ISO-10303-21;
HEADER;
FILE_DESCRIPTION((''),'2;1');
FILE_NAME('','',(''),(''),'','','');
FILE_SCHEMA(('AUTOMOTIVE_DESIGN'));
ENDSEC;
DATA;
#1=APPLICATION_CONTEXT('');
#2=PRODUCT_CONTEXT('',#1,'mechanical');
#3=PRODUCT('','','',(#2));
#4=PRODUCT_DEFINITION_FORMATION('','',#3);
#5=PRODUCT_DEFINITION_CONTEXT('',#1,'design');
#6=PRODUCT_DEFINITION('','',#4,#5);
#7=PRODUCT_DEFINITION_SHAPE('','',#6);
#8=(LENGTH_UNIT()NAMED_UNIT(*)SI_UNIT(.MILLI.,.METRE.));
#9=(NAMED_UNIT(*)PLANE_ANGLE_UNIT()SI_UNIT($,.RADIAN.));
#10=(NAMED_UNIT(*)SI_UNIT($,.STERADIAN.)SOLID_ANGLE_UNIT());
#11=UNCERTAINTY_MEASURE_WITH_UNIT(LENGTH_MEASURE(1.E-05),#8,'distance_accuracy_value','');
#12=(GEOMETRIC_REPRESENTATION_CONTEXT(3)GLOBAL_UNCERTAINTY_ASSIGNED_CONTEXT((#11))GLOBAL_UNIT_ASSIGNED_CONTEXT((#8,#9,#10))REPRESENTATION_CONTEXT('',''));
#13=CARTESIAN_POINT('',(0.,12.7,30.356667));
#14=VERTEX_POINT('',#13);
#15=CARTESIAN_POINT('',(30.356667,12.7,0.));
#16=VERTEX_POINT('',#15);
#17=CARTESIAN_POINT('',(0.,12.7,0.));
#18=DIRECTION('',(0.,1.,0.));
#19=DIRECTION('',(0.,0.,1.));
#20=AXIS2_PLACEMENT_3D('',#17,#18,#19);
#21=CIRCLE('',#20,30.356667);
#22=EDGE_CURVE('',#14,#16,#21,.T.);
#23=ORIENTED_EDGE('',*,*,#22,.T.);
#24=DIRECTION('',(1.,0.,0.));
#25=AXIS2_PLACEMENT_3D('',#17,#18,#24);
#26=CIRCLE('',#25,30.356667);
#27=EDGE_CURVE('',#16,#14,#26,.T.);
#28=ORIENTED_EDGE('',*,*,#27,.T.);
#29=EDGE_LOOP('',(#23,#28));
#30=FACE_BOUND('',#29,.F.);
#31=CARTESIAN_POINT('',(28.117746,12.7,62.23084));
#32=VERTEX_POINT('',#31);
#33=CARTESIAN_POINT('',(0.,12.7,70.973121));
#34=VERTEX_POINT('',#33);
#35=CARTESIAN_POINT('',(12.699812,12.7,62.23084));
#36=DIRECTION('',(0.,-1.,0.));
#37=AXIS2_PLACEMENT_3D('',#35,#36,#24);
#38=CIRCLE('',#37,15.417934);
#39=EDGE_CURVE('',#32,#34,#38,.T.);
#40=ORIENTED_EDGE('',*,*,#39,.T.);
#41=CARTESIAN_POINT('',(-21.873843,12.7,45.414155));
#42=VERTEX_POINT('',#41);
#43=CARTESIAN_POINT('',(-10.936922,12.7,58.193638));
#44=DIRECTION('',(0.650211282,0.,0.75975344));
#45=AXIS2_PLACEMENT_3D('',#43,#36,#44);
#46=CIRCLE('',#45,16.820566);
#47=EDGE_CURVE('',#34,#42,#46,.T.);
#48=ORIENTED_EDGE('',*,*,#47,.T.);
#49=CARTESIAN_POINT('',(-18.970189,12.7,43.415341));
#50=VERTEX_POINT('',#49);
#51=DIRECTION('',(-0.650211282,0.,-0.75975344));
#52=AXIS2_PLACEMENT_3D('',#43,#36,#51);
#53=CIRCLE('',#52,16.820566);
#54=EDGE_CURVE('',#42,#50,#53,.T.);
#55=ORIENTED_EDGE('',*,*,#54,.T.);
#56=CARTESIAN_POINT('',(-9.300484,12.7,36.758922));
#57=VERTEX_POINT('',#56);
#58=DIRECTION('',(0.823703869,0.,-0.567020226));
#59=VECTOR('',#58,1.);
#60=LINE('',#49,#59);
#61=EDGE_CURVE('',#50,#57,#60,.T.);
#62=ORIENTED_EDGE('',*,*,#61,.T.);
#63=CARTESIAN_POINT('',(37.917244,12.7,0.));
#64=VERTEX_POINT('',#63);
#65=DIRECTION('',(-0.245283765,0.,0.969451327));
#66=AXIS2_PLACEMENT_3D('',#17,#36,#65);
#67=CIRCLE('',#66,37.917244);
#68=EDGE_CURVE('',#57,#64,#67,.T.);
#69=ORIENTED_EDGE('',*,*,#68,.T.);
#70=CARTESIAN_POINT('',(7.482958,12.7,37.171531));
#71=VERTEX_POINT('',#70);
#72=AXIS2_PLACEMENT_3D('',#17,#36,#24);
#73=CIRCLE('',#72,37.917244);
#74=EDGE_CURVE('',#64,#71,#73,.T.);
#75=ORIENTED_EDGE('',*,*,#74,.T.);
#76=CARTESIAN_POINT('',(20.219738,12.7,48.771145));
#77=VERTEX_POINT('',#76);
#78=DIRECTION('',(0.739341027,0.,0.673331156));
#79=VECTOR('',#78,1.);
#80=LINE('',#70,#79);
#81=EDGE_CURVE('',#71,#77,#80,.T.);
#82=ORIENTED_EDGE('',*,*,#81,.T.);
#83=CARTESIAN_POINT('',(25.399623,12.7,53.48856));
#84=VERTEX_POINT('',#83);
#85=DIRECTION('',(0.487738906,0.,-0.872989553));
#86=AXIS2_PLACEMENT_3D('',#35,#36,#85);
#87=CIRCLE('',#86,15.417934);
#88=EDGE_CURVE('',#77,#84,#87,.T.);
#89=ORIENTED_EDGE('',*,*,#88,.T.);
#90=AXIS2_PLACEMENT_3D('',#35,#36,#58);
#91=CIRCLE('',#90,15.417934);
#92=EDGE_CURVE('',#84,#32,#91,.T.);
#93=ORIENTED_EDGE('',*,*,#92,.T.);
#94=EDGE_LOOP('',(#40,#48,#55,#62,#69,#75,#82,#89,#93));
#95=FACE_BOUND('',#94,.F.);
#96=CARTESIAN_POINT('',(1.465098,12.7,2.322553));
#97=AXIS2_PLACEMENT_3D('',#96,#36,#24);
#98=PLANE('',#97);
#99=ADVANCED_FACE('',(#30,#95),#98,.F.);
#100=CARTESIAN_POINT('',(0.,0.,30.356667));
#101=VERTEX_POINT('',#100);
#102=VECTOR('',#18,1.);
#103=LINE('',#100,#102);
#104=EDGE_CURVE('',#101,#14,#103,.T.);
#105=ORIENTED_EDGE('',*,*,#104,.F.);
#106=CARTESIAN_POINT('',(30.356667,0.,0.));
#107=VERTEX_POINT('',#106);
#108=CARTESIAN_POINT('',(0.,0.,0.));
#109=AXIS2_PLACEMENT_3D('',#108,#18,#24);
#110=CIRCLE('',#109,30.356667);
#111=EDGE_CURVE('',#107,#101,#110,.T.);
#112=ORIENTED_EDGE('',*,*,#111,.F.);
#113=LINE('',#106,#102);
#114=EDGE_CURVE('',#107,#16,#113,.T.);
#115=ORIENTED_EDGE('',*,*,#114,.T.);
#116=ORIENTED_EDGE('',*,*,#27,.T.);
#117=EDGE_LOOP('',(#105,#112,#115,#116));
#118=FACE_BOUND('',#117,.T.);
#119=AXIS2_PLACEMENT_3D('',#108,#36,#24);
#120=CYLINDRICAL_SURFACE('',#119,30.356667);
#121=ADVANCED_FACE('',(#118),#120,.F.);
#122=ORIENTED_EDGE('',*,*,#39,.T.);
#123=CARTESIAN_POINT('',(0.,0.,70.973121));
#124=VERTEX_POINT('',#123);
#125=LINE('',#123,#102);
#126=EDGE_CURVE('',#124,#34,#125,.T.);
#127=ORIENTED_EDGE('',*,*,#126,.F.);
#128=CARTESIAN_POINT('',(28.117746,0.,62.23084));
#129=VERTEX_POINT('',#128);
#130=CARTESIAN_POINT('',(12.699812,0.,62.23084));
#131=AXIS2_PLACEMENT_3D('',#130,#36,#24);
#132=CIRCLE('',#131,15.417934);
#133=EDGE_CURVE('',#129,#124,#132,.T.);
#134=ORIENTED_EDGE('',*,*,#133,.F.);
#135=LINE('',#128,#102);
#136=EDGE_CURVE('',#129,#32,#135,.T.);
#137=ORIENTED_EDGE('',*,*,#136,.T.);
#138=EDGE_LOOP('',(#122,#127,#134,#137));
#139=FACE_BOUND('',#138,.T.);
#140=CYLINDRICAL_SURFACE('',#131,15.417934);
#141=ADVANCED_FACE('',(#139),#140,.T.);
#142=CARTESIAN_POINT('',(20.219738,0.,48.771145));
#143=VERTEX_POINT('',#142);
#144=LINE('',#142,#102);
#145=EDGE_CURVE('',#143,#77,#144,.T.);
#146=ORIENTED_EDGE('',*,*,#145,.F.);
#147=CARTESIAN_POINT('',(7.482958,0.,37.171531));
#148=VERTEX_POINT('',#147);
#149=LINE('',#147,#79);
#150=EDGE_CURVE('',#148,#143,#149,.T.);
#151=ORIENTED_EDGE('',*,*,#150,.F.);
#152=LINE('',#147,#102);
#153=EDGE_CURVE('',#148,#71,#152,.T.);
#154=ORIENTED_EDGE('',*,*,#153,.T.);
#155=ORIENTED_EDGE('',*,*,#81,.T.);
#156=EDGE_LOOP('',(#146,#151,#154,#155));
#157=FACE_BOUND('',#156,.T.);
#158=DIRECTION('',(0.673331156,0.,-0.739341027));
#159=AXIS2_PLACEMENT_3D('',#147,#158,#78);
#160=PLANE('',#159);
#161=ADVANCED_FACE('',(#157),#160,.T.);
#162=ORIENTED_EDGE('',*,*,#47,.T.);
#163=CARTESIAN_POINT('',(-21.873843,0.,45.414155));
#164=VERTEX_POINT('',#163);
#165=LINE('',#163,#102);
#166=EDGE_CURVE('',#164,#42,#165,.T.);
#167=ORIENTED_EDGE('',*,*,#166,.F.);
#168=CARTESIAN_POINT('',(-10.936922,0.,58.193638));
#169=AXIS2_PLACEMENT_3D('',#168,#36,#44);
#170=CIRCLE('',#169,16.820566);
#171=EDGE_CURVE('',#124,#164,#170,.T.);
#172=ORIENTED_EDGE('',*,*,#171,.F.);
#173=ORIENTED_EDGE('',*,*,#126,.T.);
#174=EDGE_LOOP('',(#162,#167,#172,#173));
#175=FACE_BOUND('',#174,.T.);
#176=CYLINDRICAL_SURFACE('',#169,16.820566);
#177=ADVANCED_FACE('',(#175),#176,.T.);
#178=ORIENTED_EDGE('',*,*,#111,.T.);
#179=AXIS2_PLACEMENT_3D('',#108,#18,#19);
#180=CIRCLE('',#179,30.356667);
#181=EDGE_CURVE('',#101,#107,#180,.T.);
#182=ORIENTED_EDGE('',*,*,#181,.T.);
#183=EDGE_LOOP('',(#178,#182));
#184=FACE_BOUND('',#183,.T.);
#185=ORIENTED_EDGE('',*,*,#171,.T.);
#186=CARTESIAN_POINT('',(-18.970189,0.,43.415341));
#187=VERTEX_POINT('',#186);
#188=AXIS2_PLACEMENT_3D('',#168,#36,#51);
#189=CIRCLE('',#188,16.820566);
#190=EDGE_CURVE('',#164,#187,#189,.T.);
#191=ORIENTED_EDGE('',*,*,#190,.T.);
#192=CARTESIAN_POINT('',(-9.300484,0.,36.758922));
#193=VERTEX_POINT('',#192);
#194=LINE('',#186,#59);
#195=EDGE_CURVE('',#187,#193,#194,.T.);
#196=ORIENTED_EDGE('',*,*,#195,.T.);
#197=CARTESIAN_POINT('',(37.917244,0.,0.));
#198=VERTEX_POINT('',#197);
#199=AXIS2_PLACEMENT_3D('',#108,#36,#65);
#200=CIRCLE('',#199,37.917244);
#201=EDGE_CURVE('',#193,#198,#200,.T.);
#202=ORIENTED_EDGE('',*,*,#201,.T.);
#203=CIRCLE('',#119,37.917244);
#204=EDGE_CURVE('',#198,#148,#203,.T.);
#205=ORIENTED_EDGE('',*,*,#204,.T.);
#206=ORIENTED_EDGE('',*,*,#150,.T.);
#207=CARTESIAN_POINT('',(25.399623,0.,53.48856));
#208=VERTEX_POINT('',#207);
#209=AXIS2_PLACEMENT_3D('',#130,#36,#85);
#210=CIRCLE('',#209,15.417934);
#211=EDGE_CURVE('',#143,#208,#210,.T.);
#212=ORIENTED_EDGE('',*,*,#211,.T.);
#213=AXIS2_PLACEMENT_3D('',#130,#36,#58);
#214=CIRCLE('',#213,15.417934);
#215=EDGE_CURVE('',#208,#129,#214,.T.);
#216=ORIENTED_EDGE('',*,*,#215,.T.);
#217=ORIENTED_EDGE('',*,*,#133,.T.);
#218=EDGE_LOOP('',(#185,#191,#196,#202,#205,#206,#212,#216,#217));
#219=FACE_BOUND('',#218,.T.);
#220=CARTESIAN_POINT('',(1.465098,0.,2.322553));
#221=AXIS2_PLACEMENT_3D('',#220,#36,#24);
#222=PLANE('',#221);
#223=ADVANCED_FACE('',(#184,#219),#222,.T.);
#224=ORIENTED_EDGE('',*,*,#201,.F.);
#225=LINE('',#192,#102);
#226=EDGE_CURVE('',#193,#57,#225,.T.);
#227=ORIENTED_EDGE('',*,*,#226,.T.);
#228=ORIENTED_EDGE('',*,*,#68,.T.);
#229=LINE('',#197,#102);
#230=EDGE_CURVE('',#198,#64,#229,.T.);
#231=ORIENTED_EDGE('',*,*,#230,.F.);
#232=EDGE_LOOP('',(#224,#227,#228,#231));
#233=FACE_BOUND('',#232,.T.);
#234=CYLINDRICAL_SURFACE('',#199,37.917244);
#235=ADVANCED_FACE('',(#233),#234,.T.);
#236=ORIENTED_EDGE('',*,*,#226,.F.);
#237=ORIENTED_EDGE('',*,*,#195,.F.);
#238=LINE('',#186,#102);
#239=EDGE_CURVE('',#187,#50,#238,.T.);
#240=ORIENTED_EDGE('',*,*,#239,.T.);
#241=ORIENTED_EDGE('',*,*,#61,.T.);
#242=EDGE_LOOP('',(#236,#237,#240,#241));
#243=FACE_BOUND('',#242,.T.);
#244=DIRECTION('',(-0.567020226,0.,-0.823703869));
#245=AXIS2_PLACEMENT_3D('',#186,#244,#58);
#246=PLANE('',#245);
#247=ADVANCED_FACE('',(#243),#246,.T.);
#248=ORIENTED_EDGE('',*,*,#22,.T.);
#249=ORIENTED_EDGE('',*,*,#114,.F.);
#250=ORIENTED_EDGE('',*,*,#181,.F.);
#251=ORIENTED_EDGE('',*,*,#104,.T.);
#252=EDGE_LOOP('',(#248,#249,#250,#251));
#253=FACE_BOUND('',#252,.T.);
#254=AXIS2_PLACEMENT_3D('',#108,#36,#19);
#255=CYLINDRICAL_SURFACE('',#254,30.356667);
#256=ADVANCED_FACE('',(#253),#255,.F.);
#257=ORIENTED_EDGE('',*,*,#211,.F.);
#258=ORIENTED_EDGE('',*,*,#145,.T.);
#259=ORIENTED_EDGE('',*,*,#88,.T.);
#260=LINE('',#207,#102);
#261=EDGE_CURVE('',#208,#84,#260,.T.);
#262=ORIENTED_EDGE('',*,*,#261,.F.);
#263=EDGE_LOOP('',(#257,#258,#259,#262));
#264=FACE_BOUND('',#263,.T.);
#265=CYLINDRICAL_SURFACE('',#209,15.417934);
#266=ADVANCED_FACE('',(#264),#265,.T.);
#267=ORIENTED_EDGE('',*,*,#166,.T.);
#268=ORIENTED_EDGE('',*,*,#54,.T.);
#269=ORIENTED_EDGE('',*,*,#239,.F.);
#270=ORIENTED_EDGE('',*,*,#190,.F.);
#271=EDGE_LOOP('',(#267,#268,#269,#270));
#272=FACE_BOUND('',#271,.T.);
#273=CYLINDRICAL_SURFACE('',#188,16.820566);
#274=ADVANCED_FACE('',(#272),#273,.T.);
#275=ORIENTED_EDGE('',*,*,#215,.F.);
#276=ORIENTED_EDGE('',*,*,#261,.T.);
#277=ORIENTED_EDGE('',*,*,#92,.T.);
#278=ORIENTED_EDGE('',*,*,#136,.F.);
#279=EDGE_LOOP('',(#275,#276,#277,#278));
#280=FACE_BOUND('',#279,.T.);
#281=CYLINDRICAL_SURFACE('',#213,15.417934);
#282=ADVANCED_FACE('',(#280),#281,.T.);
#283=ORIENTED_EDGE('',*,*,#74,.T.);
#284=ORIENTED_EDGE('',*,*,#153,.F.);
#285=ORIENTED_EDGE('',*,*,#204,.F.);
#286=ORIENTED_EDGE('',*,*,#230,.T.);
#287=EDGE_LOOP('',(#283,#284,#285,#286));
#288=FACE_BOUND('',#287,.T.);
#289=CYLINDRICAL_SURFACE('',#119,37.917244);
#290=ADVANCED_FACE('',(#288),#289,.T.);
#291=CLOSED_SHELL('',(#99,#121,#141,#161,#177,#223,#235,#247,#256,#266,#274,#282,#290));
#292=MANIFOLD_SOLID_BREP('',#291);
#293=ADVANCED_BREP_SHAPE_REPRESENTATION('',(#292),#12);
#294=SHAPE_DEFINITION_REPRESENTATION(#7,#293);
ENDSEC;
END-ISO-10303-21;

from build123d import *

# Parameters (mm, degrees)
F1_DEPTH  = 12.7
F1_FACE_R = 30.3566666554
F2_DEPTH  = 12.7


with BuildPart() as f1:
    # F0 (on Front) → F1 (new body)
    with BuildSketch(Plane.XZ):
        with BuildLine():
            ThreePointArc((-9.3004843115, 36.7589222648), (-23.2923661717, -29.9196098341), (37.9172437619, 0))
            ThreePointArc((37.9172437619, 0), (29.338119554, 24.020660181), (7.4829580234, 37.1715309574))
            Line((7.4829580234, 37.1715309574), (0, 30.3566666554))
            Line((0, 30.3566666554), (-9.3004843115, 36.7589222648))
        make_face()
        with BuildLine():
            ThreePointArc((30.3566666554, 0), (-21.4654048463, -21.4654048463), (0, 30.3566666554))
            ThreePointArc((0, 30.3566666554), (21.4654048463, 21.4654048463), (30.3566666554, 0))
        make_face(mode=Mode.SUBTRACT)
        with BuildLine():
            Line((0, 30.3566666554), (7.4829580234, 37.1715309574))
            ThreePointArc((7.4829580234, 37.1715309574), (-0.9318862244, 37.9057906205), (-9.3004843115, 36.7589222648))
            Line((-9.3004843115, 36.7589222648), (0, 30.3566666554))
        make_face()
        with BuildLine():
            ThreePointArc((-9.3004843115, 36.7589222648), (-0.9318862244, 37.9057906205), (7.4829580234, 37.1715309574))
            Line((7.4829580234, 37.1715309574), (20.2197378858, 48.7711451921))
            ThreePointArc((20.2197378858, 48.7711451921), (11.7747091364, 46.8406854256), (3.6217325155, 49.7688516961))
            ThreePointArc((3.6217325155, 49.7688516961), (-6.3831384952, 42.0012170686), (-18.9701891405, 43.4153414263))
            Line((-18.9701891405, 43.4153414263), (-9.3004843115, 36.7589222648))
        make_face()
        with BuildLine():
            ThreePointArc((3.6217325155, 49.7688516961), (11.7747091364, 46.8406854256), (20.2197378858, 48.7711451921))
            Line((20.2197378858, 48.7711451921), (25.3996234387, 53.4885600209))
            Line((25.3996234387, 53.4885600209), (0, 70.9731206298))
            ThreePointArc((0, 70.9731206298), (4.3420940931, 65.2280612526), (5.8836441513, 58.193637909))
            ThreePointArc((5.8836441513, 58.193637909), (5.3083274131, 53.8320651714), (3.6217325155, 49.7688516961))
        make_face()
        with BuildLine():
            Line((25.3996234387, 53.4885600209), (20.2197378858, 48.7711451921))
            ThreePointArc((20.2197378858, 48.7711451921), (23.0811869033, 50.8317293109), (25.3996234387, 53.4885600209))
        make_face()
        with BuildLine():
            ThreePointArc((-21.873843285, 45.4141551882), (-20.4745226574, 44.3384727889), (-18.9701891405, 43.4153414263))
            Line((-18.9701891405, 43.4153414263), (-21.873843285, 45.4141551882))
        make_face()
        with BuildLine():
            Line((-21.873843285, 45.4141551882), (-18.9701891405, 43.4153414263))
            ThreePointArc((-18.9701891405, 43.4153414263), (-6.3831384952, 42.0012170686), (3.6217325155, 49.7688516961))
            ThreePointArc((3.6217325155, 49.7688516961), (-2.498029855, 59.6350178914), (0, 70.9731206298))
            Line((0, 70.9731206298), (-21.873843285, 45.4141551882))
        make_face()
        with BuildLine():
            Line((0, 70.9731206298), (25.3996234387, 53.4885600209))
            ThreePointArc((25.3996234387, 53.4885600209), (27.4225414081, 57.653295881), (28.1177455183, 62.2308403254))
            ThreePointArc((28.1177455183, 62.2308403254), (17.2773561637, 76.9535700141), (0, 70.9731206298))
        make_face()
        with BuildLine():
            ThreePointArc((0, 70.9731206298), (-2.498029855, 59.6350178914), (3.6217325155, 49.7688516961))
            ThreePointArc((3.6217325155, 49.7688516961), (5.3083274131, 53.8320651714), (5.8836441513, 58.193637909))
            ThreePointArc((5.8836441513, 58.193637909), (4.3420940931, 65.2280612526), (0, 70.9731206298))
        make_face()
        with BuildLine():
            ThreePointArc((0, 70.9731206298), (-23.7164043633, 69.1305595515), (-21.873843285, 45.4141551882))
            Line((-21.873843285, 45.4141551882), (0, 70.9731206298))
        make_face()
    extrude(amount=-F1_DEPTH)

    # F0 (on Front) + F1_face (on face) → F2 (join)
    with BuildSketch(Plane.XZ):
        with BuildLine():
            ThreePointArc((-9.3004843115, 36.7589222648), (-23.2923661717, -29.9196098341), (37.9172437619, 0))
            ThreePointArc((37.9172437619, 0), (29.338119554, 24.020660181), (7.4829580234, 37.1715309574))
            Line((7.4829580234, 37.1715309574), (0, 30.3566666554))
            Line((0, 30.3566666554), (-9.3004843115, 36.7589222648))
        make_face()
        with BuildLine():
            ThreePointArc((30.3566666554, 0), (-21.4654048463, -21.4654048463), (0, 30.3566666554))
            ThreePointArc((0, 30.3566666554), (21.4654048463, 21.4654048463), (30.3566666554, 0))
        make_face(mode=Mode.SUBTRACT)
        with BuildLine():
            Line((0, 30.3566666554), (7.4829580234, 37.1715309574))
            ThreePointArc((7.4829580234, 37.1715309574), (-0.9318862244, 37.9057906205), (-9.3004843115, 36.7589222648))
            Line((-9.3004843115, 36.7589222648), (0, 30.3566666554))
        make_face()
        with BuildLine():
            ThreePointArc((-9.3004843115, 36.7589222648), (-0.9318862244, 37.9057906205), (7.4829580234, 37.1715309574))
            Line((7.4829580234, 37.1715309574), (20.2197378858, 48.7711451921))
            ThreePointArc((20.2197378858, 48.7711451921), (11.7747091364, 46.8406854256), (3.6217325155, 49.7688516961))
            ThreePointArc((3.6217325155, 49.7688516961), (-6.3831384952, 42.0012170686), (-18.9701891405, 43.4153414263))
            Line((-18.9701891405, 43.4153414263), (-9.3004843115, 36.7589222648))
        make_face()
        with BuildLine():
            ThreePointArc((3.6217325155, 49.7688516961), (11.7747091364, 46.8406854256), (20.2197378858, 48.7711451921))
            Line((20.2197378858, 48.7711451921), (25.3996234387, 53.4885600209))
            Line((25.3996234387, 53.4885600209), (0, 70.9731206298))
            ThreePointArc((0, 70.9731206298), (4.3420940931, 65.2280612526), (5.8836441513, 58.193637909))
            ThreePointArc((5.8836441513, 58.193637909), (5.3083274131, 53.8320651714), (3.6217325155, 49.7688516961))
        make_face()
        with BuildLine():
            Line((25.3996234387, 53.4885600209), (20.2197378858, 48.7711451921))
            ThreePointArc((20.2197378858, 48.7711451921), (23.0811869033, 50.8317293109), (25.3996234387, 53.4885600209))
        make_face()
        with BuildLine():
            ThreePointArc((-21.873843285, 45.4141551882), (-20.4745226574, 44.3384727889), (-18.9701891405, 43.4153414263))
            Line((-18.9701891405, 43.4153414263), (-21.873843285, 45.4141551882))
        make_face()
        with BuildLine():
            Line((-21.873843285, 45.4141551882), (-18.9701891405, 43.4153414263))
            ThreePointArc((-18.9701891405, 43.4153414263), (-6.3831384952, 42.0012170686), (3.6217325155, 49.7688516961))
            ThreePointArc((3.6217325155, 49.7688516961), (-2.498029855, 59.6350178914), (0, 70.9731206298))
            Line((0, 70.9731206298), (-21.873843285, 45.4141551882))
        make_face()
        with BuildLine():
            Line((0, 70.9731206298), (25.3996234387, 53.4885600209))
            ThreePointArc((25.3996234387, 53.4885600209), (27.4225414081, 57.653295881), (28.1177455183, 62.2308403254))
            ThreePointArc((28.1177455183, 62.2308403254), (17.2773561637, 76.9535700141), (0, 70.9731206298))
        make_face()
        with BuildLine():
            ThreePointArc((0, 70.9731206298), (-2.498029855, 59.6350178914), (3.6217325155, 49.7688516961))
            ThreePointArc((3.6217325155, 49.7688516961), (5.3083274131, 53.8320651714), (5.8836441513, 58.193637909))
            ThreePointArc((5.8836441513, 58.193637909), (4.3420940931, 65.2280612526), (0, 70.9731206298))
        make_face()
        with BuildLine():
            ThreePointArc((0, 70.9731206298), (-23.7164043633, 69.1305595515), (-21.873843285, 45.4141551882))
            Line((-21.873843285, 45.4141551882), (0, 70.9731206298))
        make_face()
    with BuildSketch(Plane(origin=(0.0200571073, 0, 29.7715951258), x_dir=(1, 0, 0), z_dir=(0, -1, 0))):
        with BuildLine():
            ThreePointArc((20.1996807784, 18.9995500663), (24.0788656265, 42.8406203835), (-0.0200571073, 41.201525504))
            ThreePointArc((-0.0200571073, 41.201525504), (-24.8121438699, 37.9596437982), (-18.9902462478, 13.6437463005))
            Line((-18.9902462478, 13.6437463005), (-9.3205414189, 6.987327139))
            ThreePointArc((-9.3205414189, 6.987327139), (0.9118291171, -67.6773857463), (7.4629009161, 7.3999358316))
            Line((7.4629009161, 7.3999358316), (20.1996807784, 18.9995500663))
        make_face()
        with Locations((-0.0200571073, -29.7715951258)):
            Circle(F1_FACE_R, mode=Mode.SUBTRACT)
    extrude(amount=-F2_DEPTH)


solid = f1.part
